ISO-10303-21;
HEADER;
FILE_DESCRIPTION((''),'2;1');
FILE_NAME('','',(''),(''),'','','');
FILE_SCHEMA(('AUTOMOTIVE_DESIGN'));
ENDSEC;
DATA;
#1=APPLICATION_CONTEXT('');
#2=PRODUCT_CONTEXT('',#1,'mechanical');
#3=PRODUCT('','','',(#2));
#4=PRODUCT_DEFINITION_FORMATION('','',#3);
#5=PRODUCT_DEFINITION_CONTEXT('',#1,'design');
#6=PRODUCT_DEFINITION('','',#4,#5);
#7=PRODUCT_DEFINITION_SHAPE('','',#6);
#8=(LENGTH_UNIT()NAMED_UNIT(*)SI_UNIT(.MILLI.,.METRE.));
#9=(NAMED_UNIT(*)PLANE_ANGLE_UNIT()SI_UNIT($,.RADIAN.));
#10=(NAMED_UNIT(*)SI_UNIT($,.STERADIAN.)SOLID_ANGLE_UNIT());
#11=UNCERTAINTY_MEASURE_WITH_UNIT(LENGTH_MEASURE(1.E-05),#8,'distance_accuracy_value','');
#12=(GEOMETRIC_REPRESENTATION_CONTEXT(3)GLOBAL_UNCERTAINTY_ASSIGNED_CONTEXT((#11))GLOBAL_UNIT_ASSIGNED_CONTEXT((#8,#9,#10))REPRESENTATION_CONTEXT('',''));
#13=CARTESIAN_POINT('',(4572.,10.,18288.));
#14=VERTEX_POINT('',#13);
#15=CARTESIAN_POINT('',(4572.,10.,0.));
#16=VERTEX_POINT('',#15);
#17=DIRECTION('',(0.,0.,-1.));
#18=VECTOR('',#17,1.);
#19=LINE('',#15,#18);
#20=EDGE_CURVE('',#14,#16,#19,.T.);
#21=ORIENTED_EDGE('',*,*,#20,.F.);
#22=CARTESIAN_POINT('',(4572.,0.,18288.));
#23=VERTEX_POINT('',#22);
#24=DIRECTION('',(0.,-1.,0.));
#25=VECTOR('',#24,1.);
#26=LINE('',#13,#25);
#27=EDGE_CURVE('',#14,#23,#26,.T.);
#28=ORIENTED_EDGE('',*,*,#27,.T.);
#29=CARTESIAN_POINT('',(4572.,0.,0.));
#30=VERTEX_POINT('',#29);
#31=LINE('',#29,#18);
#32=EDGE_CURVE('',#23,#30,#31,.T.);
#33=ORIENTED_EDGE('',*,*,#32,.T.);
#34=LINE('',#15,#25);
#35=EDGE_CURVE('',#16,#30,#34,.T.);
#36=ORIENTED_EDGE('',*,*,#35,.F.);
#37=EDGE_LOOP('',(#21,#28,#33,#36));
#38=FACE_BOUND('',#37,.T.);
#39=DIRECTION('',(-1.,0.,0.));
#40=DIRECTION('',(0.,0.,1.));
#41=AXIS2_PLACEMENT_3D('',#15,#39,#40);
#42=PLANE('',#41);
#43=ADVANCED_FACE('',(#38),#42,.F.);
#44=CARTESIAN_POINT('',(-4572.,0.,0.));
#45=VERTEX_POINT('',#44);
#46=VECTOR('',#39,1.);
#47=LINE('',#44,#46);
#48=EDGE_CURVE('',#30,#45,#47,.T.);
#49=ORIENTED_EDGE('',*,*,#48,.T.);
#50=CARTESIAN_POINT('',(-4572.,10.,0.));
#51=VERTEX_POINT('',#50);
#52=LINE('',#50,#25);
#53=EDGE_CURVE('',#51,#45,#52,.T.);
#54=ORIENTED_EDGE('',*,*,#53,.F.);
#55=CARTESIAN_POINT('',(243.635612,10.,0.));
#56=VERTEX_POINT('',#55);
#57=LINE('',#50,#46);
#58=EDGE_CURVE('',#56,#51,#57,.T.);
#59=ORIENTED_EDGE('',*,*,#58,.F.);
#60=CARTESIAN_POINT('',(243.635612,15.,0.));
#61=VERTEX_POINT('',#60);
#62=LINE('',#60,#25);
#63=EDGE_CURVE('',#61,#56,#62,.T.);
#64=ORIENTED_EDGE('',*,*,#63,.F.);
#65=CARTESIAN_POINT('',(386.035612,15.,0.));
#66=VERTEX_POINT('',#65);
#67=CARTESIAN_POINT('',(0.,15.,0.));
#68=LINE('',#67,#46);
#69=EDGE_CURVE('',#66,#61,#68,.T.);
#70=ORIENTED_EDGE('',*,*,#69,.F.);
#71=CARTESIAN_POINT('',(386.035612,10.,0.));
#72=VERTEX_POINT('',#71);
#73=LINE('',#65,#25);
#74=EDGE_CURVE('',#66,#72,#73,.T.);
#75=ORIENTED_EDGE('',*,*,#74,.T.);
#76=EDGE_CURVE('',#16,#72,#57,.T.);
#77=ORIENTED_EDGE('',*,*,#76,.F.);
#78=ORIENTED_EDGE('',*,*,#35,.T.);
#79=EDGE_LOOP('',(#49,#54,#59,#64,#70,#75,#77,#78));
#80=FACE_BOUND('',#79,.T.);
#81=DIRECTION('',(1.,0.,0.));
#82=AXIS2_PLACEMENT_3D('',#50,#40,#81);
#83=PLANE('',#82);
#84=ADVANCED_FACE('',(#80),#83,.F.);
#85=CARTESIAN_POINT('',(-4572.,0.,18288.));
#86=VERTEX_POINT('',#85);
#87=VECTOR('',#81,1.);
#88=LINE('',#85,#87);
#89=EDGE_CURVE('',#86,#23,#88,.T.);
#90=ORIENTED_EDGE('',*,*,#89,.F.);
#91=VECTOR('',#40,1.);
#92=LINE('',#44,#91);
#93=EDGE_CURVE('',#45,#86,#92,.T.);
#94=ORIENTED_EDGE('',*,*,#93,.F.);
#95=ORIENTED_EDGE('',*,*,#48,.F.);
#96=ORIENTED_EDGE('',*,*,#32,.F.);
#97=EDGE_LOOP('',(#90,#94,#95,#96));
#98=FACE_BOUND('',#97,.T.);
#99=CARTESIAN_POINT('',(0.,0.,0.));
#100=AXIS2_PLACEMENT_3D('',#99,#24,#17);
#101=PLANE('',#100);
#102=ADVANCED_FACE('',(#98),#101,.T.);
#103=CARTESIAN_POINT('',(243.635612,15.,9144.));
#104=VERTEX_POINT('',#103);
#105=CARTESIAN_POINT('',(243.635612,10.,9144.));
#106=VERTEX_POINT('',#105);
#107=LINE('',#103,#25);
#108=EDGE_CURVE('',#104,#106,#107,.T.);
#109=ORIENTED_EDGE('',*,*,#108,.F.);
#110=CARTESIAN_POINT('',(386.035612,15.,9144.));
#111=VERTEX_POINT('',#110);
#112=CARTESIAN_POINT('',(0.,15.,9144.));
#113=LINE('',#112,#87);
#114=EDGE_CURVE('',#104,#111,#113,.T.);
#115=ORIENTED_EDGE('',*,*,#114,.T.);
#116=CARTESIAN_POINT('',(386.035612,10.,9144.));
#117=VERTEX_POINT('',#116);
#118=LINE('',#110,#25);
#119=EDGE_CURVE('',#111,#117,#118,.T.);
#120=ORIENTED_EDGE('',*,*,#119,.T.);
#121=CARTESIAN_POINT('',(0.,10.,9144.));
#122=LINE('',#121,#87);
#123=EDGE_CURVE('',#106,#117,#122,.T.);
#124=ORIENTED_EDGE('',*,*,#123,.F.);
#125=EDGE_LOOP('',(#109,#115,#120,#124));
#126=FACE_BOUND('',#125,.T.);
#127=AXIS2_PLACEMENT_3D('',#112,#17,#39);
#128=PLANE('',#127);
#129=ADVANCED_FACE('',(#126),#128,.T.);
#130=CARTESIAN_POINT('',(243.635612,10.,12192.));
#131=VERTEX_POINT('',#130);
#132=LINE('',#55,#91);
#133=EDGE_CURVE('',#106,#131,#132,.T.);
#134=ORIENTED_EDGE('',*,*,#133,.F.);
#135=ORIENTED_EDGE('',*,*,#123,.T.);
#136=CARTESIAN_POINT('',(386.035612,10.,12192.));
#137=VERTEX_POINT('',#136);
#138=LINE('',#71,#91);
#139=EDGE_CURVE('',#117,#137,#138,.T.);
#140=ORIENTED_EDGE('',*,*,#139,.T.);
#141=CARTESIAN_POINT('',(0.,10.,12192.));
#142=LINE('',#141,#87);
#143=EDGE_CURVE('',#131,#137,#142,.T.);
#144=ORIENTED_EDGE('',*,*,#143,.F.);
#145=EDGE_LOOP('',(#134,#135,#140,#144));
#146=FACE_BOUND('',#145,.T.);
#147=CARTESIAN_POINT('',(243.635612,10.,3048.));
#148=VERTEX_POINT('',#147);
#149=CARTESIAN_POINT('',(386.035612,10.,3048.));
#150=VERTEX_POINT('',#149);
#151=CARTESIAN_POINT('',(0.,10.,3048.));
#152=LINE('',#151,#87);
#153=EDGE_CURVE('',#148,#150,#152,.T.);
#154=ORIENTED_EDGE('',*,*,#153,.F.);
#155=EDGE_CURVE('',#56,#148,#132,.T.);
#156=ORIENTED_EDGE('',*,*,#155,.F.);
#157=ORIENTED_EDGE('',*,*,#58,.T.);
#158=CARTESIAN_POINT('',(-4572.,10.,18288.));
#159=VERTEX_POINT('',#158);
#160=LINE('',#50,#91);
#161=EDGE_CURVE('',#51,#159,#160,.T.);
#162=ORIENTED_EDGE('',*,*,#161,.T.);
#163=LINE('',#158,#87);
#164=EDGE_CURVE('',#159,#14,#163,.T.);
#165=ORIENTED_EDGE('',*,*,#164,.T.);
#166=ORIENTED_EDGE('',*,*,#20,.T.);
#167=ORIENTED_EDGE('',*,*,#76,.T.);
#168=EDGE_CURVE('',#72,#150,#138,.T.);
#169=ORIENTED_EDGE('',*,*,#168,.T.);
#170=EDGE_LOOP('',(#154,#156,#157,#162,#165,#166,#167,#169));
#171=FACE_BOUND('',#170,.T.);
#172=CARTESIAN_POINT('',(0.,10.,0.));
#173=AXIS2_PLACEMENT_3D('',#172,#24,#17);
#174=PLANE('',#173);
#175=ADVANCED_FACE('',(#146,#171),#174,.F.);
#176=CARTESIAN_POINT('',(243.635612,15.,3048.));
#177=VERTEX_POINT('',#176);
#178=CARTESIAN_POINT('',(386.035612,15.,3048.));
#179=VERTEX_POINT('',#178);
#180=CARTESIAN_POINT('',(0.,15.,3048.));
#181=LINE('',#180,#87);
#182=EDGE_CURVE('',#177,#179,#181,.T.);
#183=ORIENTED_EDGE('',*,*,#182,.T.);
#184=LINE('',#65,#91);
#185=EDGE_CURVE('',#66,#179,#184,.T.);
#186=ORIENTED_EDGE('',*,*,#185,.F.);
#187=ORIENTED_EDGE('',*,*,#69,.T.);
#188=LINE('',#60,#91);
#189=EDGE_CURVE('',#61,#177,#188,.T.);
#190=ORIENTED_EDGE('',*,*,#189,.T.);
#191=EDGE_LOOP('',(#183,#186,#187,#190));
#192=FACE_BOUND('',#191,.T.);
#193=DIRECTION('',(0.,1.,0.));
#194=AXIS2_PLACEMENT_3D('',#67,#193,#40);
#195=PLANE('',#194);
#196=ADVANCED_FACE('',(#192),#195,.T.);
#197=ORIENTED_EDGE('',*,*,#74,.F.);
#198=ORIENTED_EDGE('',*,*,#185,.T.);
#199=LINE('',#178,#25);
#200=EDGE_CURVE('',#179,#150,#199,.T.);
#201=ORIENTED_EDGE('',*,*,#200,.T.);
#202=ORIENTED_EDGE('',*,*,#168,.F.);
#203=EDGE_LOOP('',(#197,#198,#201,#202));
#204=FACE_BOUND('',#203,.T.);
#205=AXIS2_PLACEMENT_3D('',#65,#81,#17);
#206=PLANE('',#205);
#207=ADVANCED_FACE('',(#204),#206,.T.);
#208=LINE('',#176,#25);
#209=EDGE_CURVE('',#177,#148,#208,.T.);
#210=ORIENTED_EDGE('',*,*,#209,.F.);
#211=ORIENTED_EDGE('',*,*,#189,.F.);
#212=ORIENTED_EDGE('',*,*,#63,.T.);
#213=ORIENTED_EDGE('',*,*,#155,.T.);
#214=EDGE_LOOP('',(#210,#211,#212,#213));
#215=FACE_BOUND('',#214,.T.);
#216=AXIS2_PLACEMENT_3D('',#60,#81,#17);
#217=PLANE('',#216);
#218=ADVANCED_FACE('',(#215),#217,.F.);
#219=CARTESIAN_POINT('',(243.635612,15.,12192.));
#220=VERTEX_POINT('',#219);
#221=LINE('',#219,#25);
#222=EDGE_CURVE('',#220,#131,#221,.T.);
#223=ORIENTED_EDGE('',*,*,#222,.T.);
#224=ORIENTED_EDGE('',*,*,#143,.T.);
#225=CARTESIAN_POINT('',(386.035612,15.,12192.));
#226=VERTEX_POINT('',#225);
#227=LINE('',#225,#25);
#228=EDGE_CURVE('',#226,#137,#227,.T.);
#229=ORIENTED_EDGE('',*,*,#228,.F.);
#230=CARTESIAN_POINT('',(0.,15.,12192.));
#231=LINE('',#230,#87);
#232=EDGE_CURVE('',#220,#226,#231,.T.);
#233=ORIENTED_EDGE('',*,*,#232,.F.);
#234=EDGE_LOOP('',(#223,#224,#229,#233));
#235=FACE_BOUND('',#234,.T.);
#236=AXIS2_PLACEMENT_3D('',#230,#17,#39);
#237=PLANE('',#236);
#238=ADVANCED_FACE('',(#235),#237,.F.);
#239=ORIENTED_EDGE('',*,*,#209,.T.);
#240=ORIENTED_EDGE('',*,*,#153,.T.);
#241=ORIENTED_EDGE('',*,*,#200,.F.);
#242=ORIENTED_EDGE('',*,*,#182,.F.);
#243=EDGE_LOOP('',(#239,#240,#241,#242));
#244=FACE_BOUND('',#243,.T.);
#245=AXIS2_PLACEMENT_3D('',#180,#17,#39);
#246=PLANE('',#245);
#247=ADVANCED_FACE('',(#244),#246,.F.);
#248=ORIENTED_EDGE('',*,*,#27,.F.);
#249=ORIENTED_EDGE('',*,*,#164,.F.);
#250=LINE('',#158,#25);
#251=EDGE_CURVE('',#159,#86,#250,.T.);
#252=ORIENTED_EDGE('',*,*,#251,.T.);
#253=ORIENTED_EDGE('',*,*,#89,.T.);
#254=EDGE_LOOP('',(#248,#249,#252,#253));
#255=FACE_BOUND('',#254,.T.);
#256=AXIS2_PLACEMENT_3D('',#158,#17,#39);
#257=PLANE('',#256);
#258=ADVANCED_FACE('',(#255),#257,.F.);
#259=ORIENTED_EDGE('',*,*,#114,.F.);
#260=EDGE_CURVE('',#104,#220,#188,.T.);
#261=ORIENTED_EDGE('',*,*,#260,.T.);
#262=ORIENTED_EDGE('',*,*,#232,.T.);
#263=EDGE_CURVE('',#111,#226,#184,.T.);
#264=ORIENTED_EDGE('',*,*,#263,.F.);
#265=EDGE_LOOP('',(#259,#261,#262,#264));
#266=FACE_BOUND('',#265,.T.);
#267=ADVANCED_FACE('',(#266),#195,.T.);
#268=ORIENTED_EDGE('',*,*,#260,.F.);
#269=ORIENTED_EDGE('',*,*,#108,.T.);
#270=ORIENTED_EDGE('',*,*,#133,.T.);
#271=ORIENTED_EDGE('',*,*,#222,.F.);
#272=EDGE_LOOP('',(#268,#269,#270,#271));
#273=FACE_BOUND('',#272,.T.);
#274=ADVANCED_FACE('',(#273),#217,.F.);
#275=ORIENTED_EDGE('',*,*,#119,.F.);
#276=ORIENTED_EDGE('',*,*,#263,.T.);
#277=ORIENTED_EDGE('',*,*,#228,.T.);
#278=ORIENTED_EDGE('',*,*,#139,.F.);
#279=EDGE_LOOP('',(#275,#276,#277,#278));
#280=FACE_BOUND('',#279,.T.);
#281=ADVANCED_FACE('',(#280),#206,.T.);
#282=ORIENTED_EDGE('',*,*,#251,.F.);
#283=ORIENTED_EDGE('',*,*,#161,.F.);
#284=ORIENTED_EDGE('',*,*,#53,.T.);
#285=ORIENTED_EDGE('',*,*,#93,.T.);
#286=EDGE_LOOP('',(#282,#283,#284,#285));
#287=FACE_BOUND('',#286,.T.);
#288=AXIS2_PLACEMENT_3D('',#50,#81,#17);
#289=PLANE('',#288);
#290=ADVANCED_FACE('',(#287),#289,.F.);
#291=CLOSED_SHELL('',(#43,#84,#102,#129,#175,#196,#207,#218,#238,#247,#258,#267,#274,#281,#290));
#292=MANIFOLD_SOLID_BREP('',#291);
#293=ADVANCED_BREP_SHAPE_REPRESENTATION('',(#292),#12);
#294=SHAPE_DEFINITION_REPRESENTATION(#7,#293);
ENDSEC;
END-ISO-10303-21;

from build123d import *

# Parameters (mm, degrees)
SKETCH3_W           = 9144
SKETCH3_H           = 18288
BOSS_EXTRUDE1_DEPTH = 10
SKETCH4_W           = 142.4
SKETCH4_H           = 3048
BOSS_EXTRUDE2_DEPTH = 5


with BuildPart() as part:
    # Sketch3 → Boss-Extrude1 (new body)
    with BuildSketch(Plane(origin=(0, 0, 0), x_dir=(1, 0, 0), z_dir=(0, 1, 0))):
        with Locations((0, -9144)):
            Rectangle(SKETCH3_W, SKETCH3_H)
    extrude(amount=BOSS_EXTRUDE1_DEPTH)

    # Sketch4 → Boss-Extrude2 (add)
    with BuildSketch(Plane(origin=(0, 10, 0), x_dir=(1, 0, 0), z_dir=(0, 1, 0))):
        with Locations((314.835612115, -10668)):
            Rectangle(SKETCH4_W, SKETCH4_H)
        with Locations((314.835612115, -1524)):
            Rectangle(SKETCH4_W, SKETCH4_H)
    extrude(amount=BOSS_EXTRUDE2_DEPTH)


solid = part.part
